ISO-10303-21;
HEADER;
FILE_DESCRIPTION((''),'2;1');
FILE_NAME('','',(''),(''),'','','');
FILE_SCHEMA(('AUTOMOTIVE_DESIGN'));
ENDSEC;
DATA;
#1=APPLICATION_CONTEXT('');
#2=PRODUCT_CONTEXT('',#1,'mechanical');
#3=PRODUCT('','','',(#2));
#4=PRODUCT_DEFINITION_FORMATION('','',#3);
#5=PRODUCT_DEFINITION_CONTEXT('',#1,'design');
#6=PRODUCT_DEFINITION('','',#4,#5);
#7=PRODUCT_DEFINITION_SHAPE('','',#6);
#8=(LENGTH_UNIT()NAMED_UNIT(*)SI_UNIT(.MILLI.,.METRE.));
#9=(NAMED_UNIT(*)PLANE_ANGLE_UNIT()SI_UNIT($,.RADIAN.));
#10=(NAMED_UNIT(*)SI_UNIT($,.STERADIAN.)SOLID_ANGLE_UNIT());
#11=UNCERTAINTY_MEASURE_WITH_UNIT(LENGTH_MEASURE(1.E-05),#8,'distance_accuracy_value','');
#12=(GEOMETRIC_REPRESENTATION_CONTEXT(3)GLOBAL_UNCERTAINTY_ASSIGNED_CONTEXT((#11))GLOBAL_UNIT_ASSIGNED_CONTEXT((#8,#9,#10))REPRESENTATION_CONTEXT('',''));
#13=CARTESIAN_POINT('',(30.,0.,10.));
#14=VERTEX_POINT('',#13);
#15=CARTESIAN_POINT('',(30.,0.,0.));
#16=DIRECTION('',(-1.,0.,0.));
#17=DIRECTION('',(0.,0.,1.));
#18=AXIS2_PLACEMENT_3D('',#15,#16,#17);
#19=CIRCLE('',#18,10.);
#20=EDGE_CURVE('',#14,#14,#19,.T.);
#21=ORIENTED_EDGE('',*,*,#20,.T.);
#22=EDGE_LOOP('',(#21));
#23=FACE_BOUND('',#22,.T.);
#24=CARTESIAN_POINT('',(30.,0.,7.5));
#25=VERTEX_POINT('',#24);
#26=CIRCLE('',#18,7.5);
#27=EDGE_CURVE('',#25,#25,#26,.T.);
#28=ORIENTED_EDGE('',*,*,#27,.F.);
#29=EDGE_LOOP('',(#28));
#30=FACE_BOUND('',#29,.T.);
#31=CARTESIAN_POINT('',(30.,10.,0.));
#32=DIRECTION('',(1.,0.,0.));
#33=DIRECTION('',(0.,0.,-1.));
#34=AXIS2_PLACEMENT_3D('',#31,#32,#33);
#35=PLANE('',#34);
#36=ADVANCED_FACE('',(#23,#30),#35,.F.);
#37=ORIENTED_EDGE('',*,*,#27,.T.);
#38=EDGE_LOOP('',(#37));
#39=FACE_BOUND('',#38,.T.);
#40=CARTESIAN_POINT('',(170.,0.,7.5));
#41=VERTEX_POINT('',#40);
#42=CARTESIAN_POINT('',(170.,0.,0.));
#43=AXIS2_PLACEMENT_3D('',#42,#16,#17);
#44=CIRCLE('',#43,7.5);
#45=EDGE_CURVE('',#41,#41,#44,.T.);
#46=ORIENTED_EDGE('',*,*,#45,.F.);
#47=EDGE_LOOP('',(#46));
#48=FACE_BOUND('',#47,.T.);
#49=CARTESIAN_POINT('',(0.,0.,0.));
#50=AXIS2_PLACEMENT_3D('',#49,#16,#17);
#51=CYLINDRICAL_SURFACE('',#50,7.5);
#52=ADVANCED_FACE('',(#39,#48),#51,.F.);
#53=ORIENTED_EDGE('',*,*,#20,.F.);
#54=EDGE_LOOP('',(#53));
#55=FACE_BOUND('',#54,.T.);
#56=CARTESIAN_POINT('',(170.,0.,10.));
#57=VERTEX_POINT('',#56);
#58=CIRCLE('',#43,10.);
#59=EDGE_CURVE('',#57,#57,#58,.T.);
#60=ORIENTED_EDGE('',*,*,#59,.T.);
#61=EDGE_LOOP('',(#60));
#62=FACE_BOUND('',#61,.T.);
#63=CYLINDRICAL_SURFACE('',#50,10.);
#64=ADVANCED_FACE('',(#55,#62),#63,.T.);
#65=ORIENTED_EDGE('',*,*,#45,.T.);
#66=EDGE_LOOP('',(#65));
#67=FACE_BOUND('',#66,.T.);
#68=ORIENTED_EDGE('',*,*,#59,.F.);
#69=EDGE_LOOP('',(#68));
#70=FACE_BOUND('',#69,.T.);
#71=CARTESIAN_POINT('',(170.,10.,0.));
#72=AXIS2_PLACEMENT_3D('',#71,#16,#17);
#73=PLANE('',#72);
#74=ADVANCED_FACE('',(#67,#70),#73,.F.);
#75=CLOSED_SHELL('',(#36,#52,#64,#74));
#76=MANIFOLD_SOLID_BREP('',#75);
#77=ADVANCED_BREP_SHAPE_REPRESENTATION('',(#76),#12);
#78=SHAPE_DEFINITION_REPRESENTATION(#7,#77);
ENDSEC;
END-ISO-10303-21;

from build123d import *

# Parameters (mm, degrees)
SKETCH1_W = 140
SKETCH1_H = 2.5


with BuildPart() as part:
    # Sketch1 → Revolve1 (revolve)
    with BuildSketch(Plane.XY, mode=Mode.PRIVATE) as revolve1_sk:
        with Locations((100, 8.75)):
            Rectangle(SKETCH1_W, SKETCH1_H)
    revolve(revolve1_sk.sketch.rotate(Axis((0, 0, 0), (1, 0, 0)), 90), axis=Axis((0, 0, 0), (1, 0, 0)))


solid = part.part
